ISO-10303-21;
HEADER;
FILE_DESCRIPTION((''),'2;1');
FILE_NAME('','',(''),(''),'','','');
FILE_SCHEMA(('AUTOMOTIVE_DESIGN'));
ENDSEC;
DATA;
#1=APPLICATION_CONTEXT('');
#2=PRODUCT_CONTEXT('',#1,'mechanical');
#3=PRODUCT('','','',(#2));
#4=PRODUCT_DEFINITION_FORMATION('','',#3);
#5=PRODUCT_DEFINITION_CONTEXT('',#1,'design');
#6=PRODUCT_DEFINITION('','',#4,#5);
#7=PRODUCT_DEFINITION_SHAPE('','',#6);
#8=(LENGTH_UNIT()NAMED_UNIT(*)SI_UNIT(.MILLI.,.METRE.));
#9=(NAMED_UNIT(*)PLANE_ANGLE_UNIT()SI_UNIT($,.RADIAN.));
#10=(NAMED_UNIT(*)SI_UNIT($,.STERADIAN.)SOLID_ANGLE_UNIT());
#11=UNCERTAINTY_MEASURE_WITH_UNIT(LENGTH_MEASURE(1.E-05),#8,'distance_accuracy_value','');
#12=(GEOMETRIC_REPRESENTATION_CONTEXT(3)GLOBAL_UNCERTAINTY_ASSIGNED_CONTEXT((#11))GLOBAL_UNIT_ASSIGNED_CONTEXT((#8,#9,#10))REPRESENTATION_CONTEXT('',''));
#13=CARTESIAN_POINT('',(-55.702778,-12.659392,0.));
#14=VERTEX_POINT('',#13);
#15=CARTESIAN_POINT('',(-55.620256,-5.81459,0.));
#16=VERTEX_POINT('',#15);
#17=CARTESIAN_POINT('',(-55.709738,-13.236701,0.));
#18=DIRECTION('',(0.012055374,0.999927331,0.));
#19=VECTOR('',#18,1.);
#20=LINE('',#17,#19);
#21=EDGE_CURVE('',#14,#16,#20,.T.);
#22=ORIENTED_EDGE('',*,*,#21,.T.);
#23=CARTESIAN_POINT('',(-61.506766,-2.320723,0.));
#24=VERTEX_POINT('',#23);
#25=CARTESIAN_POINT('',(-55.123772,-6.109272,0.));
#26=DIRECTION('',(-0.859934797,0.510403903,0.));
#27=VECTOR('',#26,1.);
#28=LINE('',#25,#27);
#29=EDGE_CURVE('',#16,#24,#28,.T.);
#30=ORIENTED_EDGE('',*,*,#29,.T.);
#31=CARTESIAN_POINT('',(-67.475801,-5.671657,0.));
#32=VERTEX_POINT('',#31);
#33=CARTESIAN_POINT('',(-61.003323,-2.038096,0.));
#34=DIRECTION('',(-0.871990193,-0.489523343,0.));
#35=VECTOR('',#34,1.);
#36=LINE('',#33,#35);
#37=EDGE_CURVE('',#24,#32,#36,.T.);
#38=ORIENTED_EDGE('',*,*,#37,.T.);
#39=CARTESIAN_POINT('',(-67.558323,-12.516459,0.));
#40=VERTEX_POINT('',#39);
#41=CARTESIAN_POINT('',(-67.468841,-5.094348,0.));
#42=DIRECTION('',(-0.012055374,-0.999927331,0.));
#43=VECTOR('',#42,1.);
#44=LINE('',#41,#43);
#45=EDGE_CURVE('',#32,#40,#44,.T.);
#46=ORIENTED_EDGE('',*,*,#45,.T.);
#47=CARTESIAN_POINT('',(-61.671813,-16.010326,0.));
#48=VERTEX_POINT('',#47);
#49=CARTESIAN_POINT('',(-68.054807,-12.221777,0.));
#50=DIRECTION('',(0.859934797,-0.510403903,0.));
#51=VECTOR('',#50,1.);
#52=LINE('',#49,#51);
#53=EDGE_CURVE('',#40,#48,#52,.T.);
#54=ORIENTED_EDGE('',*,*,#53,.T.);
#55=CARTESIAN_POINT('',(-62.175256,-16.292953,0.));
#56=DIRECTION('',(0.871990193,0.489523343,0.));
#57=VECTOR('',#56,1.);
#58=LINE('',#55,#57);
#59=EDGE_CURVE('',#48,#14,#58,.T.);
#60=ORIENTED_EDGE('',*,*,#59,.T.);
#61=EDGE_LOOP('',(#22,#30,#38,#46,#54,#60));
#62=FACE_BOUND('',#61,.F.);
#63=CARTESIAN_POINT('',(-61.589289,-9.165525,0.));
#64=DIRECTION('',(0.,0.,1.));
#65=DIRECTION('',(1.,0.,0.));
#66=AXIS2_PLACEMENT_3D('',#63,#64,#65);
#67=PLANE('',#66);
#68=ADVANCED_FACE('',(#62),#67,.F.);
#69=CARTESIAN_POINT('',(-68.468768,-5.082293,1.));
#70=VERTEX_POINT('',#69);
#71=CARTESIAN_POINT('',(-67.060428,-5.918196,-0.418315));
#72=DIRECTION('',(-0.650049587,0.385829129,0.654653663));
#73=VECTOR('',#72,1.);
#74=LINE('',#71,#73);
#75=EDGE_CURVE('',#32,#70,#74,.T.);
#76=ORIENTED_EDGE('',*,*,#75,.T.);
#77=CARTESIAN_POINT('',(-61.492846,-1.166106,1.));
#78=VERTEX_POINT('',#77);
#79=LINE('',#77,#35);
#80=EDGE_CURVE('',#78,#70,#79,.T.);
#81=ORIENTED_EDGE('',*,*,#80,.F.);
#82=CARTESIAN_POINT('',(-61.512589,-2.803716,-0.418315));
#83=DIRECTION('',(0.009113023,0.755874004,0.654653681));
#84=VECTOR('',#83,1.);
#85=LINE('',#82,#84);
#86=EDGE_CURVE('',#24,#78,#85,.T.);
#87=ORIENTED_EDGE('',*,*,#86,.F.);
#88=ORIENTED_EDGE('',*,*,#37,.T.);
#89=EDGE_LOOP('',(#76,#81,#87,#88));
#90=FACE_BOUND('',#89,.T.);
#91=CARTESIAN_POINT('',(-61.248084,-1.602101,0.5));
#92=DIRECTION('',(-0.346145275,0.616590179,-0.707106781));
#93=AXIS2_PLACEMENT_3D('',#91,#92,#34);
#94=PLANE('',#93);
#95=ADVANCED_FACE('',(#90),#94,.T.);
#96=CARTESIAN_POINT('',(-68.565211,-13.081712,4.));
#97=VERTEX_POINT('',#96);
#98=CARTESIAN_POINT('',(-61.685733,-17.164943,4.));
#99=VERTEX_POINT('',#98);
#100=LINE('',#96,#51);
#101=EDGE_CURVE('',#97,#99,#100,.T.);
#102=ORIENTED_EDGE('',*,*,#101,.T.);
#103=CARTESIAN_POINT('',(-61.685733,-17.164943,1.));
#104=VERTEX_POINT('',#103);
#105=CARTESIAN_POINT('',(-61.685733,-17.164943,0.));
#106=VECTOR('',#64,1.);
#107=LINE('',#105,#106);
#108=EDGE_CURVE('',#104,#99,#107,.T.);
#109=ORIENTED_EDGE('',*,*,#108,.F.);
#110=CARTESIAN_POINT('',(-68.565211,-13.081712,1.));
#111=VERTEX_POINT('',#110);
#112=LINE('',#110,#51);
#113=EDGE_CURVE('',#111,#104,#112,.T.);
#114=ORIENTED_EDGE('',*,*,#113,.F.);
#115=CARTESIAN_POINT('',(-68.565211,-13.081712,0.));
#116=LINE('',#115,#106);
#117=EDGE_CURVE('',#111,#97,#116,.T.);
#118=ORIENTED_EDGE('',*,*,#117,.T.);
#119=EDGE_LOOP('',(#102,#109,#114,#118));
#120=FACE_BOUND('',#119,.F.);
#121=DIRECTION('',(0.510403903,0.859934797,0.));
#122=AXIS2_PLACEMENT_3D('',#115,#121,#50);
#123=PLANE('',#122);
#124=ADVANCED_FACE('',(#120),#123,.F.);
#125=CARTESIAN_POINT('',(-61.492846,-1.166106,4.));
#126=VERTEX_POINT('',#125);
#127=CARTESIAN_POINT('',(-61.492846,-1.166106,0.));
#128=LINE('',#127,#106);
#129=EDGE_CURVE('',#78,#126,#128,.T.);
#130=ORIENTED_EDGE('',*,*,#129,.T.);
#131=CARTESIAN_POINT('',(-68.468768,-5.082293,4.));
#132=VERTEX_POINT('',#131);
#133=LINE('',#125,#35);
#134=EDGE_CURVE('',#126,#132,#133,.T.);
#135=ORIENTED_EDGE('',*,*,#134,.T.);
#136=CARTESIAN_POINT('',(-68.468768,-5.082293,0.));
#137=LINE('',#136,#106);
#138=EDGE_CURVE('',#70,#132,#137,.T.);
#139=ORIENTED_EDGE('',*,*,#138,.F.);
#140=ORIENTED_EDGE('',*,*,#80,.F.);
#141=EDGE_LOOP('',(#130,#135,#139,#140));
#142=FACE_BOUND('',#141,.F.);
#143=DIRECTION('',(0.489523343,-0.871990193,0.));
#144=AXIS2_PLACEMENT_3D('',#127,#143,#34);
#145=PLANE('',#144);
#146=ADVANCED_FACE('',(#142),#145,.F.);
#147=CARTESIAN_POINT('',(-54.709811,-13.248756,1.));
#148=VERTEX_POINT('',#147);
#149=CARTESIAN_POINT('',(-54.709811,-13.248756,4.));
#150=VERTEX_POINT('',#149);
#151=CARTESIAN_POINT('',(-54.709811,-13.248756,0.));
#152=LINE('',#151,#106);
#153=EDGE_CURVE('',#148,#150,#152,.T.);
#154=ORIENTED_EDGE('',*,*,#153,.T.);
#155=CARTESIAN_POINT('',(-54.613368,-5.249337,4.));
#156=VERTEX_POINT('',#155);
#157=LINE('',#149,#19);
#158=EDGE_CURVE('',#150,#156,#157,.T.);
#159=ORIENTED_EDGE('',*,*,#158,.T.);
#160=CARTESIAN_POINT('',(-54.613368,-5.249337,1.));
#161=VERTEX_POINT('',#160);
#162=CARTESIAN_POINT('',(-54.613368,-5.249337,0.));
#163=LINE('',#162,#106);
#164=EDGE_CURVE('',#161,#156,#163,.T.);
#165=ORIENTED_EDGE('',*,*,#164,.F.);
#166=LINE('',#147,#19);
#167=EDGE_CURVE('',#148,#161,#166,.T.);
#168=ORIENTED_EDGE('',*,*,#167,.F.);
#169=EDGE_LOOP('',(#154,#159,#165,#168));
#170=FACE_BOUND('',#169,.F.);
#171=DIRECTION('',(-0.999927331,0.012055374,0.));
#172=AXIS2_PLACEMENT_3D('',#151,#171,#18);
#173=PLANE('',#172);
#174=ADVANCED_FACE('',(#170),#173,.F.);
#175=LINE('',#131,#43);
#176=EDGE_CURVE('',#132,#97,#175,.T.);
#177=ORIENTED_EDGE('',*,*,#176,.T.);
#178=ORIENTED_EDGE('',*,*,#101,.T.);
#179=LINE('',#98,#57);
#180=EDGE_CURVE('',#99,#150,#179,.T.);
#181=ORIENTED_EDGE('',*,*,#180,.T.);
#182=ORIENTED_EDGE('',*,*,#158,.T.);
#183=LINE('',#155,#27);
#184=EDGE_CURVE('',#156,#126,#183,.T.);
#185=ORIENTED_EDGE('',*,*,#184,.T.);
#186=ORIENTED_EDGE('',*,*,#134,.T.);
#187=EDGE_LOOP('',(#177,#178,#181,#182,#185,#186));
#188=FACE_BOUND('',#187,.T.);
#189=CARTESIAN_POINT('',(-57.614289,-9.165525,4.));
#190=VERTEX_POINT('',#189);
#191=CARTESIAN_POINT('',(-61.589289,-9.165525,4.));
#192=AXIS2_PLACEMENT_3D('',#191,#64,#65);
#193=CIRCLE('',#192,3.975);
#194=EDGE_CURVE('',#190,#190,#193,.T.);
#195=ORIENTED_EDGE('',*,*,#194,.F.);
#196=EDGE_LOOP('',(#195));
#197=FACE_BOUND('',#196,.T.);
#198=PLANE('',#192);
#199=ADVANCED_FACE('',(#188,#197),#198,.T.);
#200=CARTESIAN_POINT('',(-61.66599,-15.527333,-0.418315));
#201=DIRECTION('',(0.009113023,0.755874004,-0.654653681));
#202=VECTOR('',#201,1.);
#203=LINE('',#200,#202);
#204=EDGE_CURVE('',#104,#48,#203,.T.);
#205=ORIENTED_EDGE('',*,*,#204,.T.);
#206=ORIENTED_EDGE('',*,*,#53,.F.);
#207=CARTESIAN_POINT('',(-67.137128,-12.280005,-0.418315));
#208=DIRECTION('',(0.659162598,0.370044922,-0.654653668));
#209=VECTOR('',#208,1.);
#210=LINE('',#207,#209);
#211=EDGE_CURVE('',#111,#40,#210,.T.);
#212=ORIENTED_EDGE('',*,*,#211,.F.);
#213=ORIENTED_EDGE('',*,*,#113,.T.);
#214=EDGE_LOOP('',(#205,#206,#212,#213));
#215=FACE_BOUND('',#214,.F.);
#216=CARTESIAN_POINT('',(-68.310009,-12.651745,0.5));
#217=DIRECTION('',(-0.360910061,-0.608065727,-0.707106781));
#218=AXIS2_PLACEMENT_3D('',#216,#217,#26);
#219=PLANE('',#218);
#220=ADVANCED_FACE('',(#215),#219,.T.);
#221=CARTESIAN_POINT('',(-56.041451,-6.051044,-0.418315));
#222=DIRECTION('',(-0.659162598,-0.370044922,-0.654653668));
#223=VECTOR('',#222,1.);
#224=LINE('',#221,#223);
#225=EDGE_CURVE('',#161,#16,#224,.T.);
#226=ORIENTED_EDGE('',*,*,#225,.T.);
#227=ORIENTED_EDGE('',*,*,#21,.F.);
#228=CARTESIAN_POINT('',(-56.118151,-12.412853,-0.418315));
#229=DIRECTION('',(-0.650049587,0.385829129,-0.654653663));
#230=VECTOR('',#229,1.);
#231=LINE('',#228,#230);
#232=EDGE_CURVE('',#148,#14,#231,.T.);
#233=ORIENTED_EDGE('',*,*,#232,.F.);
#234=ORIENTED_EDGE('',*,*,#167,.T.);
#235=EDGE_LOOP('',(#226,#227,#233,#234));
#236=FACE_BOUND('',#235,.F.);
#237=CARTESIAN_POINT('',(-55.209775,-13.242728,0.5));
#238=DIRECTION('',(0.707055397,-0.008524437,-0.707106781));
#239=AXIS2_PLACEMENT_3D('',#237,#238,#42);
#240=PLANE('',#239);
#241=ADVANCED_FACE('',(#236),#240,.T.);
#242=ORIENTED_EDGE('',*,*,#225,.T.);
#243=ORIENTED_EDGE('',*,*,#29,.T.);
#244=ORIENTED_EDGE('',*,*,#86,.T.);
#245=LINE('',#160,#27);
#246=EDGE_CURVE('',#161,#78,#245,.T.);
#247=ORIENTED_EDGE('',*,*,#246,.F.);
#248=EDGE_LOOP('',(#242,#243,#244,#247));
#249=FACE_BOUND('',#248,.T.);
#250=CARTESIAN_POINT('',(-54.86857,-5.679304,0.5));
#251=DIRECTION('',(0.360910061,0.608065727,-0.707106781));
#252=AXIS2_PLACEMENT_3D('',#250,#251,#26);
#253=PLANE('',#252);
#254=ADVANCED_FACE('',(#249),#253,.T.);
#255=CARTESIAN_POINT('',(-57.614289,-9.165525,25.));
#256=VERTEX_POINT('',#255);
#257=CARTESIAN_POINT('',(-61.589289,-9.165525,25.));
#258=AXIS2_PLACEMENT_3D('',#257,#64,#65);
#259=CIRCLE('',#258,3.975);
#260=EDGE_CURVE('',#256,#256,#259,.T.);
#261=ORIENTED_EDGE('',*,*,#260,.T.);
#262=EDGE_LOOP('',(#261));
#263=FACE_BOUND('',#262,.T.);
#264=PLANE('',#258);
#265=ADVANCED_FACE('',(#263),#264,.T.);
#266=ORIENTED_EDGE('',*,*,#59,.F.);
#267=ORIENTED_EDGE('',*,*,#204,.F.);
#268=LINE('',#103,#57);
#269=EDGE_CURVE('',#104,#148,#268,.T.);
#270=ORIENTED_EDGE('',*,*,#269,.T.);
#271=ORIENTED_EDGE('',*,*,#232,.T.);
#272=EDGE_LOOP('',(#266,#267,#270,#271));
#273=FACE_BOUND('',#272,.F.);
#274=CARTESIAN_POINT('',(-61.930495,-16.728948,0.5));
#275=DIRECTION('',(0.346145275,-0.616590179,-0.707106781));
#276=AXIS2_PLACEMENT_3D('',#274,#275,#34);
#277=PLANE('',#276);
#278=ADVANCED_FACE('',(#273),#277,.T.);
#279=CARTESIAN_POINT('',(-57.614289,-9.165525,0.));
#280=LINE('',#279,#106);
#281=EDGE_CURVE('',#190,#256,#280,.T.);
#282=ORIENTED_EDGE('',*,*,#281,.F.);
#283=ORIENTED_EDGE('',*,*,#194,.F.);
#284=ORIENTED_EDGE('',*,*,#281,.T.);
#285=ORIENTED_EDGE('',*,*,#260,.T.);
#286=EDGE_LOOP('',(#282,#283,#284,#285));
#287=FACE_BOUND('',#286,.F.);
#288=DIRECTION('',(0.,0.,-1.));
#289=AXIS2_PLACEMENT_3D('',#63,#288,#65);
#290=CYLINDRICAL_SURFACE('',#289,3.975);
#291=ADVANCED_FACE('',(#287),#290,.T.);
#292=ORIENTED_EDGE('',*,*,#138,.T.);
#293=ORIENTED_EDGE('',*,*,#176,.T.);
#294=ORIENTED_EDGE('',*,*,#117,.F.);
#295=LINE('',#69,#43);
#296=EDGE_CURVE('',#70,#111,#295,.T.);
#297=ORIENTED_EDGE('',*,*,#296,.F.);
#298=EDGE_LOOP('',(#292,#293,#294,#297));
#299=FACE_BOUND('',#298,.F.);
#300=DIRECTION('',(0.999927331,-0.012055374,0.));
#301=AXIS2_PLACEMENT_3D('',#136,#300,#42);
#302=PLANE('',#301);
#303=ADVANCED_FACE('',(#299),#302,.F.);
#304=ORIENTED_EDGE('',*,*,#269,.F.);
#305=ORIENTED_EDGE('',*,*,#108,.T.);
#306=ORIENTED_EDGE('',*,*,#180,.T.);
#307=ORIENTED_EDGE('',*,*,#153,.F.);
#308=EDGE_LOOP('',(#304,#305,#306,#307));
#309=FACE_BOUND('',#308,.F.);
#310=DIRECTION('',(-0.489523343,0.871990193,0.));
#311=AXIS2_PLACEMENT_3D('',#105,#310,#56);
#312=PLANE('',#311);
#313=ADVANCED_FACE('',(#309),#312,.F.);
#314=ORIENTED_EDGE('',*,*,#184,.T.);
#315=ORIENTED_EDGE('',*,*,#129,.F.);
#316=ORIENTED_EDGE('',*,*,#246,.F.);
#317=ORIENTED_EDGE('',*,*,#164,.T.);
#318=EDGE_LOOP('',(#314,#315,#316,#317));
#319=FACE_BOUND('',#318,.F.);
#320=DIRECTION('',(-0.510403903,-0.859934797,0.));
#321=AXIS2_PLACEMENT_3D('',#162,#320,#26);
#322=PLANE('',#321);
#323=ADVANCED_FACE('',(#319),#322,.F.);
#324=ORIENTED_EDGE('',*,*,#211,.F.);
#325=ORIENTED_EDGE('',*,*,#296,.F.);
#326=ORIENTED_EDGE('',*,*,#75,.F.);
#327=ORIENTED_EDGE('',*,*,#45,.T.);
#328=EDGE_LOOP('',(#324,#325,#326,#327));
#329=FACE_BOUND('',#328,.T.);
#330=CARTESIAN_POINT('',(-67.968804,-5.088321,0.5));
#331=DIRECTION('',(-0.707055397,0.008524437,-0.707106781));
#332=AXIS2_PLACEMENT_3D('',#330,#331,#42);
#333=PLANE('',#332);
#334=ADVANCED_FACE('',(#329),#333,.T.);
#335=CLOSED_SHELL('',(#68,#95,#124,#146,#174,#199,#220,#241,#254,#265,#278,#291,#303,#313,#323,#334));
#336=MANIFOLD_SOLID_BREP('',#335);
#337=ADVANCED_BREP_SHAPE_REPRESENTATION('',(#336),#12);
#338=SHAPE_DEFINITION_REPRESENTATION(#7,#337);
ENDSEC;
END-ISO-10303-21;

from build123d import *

# Parameters (mm, degrees)
F0_R     = 3.975
F1_DEPTH = 25
F2_DEPTH = 4
F3_SIZE  = 1


with BuildPart() as f1:
    # F0 (on Top) → F1 (new body)
    with BuildSketch(Plane.XY):
        with Locations((-61.589289, -9.165525)):
            Circle(F0_R)
    extrude(amount=F1_DEPTH)

    # F0 (on Top) → F2 (join)
    with BuildSketch(Plane.XY):
        Polygon((-61.685733, -17.164943), (-54.709811, -13.248756), (-54.613368, -5.249337), (-61.492846, -1.166106), (-68.468768, -5.082293), (-68.565211, -13.081712), align=None)
        with Locations((-61.589289, -9.165525)):
            Circle(F0_R, mode=Mode.SUBTRACT)
    extrude(amount=F2_DEPTH)

    # F3
    f3_edges = [f1.edges().sort_by_distance(p)[0] for p in [
        (-65.125472, -15.123327, 0),
        (-58.197772, -15.20685, 0),
        (-54.66159, -9.249047, 0),
        (-58.053107, -3.207722, 0),
        (-64.980807, -3.124199, 0),
        (-68.516989, -9.082002, 0),
    ]]
    chamfer(f3_edges, length=F3_SIZE)


solid = f1.part
